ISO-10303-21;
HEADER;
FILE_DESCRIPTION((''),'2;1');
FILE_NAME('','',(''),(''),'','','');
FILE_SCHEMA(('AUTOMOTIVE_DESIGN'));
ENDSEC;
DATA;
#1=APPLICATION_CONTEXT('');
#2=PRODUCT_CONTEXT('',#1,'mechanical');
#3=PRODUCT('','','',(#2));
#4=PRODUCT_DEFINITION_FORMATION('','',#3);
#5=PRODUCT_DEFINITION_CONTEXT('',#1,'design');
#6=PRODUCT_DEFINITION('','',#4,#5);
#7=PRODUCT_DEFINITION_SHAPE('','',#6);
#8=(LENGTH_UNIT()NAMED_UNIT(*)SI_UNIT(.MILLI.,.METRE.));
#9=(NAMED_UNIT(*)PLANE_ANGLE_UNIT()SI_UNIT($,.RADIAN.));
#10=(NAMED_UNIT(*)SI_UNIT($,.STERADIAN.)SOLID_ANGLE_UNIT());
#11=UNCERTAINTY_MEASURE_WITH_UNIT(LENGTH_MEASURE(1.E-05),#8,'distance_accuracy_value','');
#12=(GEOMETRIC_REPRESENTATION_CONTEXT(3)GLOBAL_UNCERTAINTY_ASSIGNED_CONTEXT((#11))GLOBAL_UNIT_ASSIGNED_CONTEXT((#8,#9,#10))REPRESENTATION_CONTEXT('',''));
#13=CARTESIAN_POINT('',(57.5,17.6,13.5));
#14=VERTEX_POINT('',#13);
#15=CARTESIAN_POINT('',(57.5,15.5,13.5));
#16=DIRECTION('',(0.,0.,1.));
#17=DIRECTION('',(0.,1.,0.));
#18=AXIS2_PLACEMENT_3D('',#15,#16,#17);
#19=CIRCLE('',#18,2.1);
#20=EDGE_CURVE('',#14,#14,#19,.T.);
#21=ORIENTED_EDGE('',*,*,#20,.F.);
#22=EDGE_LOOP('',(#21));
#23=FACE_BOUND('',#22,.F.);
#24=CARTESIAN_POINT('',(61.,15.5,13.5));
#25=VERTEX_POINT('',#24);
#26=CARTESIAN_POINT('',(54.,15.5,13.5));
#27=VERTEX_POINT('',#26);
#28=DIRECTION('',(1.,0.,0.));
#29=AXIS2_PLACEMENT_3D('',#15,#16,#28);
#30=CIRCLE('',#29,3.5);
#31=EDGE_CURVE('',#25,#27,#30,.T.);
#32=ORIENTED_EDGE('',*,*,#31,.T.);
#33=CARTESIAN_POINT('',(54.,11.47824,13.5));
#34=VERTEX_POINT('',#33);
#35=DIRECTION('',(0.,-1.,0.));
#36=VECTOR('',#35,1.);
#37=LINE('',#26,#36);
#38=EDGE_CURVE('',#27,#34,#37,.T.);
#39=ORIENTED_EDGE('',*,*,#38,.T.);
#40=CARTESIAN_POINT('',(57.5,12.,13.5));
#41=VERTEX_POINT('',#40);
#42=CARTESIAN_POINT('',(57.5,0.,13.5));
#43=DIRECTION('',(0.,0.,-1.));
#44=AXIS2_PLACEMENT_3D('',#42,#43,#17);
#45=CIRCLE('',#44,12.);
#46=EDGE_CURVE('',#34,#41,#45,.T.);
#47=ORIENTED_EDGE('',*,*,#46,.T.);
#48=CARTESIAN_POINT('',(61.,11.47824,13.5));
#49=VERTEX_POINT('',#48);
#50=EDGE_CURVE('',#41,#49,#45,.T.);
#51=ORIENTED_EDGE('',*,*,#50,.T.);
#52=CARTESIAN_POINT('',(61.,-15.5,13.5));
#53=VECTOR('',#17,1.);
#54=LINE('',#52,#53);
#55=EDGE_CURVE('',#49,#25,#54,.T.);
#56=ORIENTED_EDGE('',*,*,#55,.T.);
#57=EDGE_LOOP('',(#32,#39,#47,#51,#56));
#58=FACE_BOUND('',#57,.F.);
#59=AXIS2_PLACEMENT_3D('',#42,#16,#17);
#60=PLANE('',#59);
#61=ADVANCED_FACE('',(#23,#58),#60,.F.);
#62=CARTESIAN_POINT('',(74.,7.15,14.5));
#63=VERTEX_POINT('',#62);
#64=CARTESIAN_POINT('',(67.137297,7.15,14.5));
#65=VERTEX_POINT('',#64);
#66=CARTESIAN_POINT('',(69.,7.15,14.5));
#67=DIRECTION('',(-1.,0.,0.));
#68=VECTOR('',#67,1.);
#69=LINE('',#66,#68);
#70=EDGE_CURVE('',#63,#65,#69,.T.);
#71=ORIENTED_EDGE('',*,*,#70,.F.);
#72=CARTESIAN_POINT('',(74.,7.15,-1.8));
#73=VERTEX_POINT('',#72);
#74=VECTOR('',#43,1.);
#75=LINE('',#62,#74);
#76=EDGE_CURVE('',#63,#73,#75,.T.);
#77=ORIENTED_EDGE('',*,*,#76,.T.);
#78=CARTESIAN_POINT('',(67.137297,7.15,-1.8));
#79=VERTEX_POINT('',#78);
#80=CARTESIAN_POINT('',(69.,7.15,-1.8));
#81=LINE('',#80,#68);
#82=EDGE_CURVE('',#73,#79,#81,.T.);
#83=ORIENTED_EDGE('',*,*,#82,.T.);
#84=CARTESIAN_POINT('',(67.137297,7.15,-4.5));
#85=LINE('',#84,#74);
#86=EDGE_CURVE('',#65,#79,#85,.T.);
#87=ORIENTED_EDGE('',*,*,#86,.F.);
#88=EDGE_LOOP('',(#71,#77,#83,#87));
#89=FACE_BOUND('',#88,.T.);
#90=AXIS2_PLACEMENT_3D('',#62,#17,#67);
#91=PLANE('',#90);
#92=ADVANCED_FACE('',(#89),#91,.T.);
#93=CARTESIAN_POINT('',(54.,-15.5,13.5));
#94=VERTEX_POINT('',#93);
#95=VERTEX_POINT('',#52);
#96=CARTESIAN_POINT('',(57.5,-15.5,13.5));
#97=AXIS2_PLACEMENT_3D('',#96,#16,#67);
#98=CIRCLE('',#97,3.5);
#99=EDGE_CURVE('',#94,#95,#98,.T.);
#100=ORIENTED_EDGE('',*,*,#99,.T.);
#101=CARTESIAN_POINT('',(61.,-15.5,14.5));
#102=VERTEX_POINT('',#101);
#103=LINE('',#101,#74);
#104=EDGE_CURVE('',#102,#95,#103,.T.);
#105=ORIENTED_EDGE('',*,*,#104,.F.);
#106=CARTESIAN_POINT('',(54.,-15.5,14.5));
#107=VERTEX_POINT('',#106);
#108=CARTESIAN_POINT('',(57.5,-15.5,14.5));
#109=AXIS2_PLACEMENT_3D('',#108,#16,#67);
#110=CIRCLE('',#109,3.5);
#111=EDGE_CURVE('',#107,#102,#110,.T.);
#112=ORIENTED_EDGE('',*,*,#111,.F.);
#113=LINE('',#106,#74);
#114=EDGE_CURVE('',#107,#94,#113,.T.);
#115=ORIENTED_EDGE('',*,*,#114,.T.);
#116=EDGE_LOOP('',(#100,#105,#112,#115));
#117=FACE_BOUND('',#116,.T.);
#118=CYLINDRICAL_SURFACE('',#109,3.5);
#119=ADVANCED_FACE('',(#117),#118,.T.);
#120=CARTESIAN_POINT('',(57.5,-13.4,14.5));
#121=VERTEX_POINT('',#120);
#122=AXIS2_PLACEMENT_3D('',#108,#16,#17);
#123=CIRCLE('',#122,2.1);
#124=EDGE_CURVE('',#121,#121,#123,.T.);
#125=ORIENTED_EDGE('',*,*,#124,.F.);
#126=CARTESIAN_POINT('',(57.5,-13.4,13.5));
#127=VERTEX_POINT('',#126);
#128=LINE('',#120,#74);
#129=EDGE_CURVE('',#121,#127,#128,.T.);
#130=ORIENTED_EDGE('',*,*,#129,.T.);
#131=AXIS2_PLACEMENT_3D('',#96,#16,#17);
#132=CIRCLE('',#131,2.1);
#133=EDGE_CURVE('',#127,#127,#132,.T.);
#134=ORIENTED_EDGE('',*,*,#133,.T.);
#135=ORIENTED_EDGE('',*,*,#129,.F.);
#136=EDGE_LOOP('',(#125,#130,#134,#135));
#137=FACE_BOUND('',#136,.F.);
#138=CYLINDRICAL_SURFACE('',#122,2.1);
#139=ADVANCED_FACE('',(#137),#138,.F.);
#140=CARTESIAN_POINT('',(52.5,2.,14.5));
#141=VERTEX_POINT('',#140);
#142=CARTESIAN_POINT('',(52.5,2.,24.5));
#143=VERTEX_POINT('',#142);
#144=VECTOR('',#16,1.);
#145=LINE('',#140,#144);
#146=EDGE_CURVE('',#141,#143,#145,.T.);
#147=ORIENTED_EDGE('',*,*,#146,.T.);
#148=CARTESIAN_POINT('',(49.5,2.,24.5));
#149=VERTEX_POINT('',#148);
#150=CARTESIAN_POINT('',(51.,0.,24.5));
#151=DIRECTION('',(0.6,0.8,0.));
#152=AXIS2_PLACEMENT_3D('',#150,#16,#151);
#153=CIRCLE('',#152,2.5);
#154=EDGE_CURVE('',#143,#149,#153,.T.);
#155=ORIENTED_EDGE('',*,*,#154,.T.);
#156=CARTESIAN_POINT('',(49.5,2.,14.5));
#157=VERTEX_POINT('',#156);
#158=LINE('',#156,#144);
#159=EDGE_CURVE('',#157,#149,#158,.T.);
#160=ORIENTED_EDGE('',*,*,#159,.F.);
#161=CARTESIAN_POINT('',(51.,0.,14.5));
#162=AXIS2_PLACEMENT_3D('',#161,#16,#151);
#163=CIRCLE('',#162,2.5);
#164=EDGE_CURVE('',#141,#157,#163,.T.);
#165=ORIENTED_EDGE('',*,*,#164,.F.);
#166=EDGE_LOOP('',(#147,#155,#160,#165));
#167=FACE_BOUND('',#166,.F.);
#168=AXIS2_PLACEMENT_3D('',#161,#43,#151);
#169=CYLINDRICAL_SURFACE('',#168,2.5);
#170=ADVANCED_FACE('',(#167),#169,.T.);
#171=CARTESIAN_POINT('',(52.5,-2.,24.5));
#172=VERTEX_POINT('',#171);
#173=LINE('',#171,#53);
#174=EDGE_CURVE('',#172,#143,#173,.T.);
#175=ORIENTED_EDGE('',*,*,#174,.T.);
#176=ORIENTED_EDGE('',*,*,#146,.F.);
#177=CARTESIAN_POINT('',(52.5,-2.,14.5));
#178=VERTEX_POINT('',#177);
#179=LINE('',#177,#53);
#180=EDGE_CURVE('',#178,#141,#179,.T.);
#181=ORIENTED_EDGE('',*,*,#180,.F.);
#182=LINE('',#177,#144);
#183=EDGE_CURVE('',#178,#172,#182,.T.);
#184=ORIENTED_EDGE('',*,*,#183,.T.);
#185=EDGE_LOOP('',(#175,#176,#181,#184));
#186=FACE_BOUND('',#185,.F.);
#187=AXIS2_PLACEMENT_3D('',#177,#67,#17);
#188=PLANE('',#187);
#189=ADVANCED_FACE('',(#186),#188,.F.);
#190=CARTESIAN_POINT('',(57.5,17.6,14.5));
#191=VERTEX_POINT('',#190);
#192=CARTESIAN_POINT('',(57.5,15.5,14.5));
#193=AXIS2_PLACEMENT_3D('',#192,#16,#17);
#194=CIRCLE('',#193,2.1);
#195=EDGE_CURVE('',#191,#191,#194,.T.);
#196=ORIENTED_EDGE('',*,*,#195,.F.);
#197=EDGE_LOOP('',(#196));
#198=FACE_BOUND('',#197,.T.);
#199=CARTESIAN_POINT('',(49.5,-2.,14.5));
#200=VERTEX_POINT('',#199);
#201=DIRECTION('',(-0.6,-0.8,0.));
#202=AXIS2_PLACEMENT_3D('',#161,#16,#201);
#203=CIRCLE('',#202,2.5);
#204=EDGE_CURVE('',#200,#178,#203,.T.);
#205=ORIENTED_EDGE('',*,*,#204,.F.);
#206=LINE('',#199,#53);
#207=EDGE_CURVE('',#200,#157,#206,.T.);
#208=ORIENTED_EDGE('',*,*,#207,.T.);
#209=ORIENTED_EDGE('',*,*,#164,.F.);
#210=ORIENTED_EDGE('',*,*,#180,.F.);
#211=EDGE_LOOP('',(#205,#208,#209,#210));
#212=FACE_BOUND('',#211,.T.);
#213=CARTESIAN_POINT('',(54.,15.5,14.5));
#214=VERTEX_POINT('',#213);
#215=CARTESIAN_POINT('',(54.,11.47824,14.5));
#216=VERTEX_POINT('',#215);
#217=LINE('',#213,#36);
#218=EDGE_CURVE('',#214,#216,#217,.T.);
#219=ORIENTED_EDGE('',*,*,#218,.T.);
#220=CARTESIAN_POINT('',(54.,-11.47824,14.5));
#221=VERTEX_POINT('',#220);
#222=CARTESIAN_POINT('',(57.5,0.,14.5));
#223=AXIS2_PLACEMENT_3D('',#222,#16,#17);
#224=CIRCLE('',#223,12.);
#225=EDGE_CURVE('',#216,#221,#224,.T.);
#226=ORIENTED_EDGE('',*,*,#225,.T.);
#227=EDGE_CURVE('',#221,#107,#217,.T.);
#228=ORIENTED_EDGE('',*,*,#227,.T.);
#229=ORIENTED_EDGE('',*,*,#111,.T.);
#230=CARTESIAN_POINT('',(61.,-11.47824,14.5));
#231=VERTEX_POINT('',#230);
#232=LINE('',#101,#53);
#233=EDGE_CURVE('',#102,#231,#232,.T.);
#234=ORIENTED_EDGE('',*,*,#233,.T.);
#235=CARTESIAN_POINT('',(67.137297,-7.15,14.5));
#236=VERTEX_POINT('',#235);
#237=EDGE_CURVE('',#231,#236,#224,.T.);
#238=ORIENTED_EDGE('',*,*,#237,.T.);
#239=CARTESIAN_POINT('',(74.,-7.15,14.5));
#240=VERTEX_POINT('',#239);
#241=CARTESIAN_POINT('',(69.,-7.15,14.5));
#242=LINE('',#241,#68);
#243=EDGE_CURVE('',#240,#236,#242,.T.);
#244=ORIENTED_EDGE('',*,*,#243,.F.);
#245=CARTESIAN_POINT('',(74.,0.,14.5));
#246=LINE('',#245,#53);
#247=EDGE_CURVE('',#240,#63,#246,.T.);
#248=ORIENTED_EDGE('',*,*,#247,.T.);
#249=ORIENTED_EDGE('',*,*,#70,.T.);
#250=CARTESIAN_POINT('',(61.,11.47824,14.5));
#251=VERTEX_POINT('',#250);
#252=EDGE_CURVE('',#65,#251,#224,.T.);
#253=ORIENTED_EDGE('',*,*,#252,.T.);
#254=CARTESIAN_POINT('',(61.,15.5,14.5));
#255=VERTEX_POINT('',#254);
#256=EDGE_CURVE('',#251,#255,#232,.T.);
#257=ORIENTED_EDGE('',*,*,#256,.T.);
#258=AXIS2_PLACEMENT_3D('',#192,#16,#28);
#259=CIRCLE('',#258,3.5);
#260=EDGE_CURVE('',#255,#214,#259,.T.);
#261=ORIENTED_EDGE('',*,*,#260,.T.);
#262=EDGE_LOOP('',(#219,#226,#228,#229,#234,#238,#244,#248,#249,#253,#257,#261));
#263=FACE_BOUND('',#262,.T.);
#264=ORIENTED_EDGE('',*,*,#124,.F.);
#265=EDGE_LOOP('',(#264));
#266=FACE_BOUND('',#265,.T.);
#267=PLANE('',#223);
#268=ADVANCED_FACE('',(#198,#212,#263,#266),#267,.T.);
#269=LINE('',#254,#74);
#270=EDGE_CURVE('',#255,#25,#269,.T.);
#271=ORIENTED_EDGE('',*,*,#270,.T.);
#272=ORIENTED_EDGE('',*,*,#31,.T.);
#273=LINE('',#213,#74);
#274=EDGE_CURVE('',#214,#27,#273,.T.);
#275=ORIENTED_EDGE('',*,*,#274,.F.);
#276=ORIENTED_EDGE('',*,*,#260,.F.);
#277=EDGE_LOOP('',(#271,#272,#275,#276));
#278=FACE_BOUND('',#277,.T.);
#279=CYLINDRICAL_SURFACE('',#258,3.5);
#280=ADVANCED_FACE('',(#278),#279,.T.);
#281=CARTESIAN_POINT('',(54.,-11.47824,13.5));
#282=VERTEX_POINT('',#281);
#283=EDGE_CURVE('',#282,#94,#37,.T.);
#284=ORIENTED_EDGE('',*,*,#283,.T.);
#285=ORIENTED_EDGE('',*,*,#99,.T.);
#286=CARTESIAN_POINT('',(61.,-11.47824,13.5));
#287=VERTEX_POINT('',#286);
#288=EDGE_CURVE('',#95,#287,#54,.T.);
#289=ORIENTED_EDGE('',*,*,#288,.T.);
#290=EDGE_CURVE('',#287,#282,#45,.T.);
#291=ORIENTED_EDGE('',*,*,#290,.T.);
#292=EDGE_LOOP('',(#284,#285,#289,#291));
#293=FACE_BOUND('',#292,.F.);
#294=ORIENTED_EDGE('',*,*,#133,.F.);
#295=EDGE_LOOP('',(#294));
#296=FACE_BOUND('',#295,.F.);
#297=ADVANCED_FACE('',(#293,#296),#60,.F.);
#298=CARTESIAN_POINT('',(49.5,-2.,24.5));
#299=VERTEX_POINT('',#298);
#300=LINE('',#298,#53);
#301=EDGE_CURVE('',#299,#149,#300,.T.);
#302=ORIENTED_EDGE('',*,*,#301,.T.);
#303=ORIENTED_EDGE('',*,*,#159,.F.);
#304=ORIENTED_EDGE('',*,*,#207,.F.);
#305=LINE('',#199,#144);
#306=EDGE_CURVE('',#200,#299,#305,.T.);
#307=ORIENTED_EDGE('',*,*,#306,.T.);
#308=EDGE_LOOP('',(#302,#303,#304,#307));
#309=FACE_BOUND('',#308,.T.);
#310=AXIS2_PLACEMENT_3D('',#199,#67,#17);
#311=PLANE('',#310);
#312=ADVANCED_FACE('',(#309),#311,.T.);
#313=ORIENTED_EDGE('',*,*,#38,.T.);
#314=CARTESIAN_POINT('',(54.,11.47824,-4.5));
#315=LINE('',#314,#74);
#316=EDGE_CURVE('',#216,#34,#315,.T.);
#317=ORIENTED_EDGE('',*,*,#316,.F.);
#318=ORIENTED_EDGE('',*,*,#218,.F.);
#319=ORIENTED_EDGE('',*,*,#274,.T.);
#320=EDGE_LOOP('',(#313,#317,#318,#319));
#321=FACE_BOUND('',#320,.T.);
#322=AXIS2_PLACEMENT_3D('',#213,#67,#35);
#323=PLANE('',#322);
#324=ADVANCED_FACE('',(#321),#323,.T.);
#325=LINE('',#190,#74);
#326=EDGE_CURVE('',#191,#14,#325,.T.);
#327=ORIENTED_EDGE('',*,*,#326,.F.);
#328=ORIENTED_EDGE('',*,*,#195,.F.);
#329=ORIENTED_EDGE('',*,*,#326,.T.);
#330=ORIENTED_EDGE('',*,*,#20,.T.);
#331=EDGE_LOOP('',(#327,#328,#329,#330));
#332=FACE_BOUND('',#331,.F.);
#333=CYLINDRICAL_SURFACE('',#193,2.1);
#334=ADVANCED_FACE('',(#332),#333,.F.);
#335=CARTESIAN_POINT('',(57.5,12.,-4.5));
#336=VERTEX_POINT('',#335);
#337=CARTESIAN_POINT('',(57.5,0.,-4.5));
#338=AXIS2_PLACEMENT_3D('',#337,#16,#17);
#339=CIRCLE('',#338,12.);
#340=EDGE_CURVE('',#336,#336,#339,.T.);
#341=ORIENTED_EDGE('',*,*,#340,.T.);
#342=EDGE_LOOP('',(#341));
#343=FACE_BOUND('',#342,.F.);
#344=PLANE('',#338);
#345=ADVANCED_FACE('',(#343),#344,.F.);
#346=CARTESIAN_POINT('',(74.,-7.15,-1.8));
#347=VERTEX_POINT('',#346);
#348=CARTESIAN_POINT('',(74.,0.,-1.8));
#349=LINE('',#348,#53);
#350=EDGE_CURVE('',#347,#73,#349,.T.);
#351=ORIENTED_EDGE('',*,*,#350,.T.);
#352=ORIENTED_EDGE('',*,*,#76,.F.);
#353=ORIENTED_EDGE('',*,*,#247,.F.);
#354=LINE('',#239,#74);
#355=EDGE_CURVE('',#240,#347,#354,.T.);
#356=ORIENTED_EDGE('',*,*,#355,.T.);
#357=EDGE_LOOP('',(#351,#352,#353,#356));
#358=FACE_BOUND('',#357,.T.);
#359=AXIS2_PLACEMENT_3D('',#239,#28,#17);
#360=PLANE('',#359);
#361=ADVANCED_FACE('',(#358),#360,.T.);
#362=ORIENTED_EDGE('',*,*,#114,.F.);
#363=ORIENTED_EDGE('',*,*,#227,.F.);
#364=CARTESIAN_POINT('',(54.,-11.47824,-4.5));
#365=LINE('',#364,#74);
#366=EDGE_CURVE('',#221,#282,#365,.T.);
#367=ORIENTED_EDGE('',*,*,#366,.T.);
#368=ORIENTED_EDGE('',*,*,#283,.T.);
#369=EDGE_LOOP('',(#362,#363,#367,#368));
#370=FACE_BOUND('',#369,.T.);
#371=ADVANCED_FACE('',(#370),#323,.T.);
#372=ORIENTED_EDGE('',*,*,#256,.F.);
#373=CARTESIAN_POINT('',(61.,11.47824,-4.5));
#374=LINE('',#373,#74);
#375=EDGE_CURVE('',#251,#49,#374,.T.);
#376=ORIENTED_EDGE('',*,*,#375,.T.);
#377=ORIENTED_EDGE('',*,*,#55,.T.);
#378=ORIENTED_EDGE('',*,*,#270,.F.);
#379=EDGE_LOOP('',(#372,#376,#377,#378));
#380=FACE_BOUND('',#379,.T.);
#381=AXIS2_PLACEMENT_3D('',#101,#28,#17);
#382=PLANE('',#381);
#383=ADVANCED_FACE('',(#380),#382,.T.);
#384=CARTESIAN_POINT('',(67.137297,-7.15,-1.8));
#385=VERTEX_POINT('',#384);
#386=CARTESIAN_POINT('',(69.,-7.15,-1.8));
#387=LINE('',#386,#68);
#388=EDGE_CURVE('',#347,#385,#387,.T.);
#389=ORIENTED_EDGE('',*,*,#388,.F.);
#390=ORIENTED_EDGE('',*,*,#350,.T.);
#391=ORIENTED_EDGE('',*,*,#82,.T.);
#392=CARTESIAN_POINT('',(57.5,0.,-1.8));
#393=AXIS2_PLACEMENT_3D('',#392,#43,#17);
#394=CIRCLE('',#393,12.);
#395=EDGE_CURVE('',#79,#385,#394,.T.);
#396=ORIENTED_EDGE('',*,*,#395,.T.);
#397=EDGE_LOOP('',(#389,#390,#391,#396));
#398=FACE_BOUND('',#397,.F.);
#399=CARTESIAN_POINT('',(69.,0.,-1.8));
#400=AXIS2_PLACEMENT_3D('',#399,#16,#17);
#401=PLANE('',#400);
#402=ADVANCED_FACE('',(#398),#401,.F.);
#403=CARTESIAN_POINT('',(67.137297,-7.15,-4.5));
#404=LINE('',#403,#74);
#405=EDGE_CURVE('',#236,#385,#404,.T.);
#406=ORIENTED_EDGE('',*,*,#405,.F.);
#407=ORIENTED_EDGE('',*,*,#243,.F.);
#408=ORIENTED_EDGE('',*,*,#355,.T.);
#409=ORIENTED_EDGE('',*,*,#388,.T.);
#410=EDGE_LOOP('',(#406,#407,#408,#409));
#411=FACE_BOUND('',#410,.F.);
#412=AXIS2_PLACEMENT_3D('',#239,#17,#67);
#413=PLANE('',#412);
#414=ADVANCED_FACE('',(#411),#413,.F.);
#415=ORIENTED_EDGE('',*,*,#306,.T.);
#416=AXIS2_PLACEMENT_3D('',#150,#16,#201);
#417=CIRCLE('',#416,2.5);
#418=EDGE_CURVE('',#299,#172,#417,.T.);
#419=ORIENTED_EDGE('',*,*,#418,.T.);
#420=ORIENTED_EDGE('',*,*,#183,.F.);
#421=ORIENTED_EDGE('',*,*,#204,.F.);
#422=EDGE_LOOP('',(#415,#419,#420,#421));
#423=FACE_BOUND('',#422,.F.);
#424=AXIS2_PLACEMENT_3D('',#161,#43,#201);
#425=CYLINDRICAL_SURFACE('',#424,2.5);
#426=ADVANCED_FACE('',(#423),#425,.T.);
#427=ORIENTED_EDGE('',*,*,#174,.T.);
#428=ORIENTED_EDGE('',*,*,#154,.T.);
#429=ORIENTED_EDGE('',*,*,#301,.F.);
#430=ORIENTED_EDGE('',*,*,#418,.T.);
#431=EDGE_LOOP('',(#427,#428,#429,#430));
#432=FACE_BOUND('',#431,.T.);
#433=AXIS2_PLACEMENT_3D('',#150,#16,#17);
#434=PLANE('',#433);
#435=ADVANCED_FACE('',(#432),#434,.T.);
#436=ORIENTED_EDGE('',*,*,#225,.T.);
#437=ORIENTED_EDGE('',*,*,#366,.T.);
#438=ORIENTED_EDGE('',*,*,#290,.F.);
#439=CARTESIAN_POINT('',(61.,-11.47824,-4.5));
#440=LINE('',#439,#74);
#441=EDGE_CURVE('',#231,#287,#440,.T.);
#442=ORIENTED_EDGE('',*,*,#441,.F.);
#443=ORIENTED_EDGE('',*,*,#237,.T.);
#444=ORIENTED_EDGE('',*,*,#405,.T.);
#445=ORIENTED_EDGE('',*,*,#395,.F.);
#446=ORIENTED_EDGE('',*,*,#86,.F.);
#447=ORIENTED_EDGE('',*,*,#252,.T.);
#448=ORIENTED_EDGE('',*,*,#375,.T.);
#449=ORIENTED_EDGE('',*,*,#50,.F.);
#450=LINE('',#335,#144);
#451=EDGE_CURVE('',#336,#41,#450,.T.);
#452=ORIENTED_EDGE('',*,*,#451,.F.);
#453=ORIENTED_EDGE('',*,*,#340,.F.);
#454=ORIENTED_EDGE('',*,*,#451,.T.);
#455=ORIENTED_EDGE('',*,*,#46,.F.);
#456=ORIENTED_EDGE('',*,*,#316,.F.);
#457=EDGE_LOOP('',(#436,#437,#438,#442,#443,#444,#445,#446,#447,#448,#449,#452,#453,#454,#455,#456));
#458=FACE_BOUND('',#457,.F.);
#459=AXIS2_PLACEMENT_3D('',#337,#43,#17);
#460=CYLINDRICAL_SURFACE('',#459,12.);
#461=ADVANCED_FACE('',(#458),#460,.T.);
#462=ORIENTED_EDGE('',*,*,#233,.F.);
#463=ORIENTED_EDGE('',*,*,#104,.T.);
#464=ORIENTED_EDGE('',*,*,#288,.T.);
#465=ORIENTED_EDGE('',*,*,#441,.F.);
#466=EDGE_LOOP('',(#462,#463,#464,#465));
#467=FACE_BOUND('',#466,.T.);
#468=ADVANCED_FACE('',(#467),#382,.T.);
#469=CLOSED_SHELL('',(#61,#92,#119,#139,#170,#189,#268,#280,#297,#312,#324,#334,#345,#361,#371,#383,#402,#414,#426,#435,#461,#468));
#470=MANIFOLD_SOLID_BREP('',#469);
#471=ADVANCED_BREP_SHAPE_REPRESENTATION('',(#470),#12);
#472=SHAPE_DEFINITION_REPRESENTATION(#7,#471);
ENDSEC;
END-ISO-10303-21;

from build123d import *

# Parameters (mm, degrees)
SKETCH018_R             = 12
PAD008_DEPTH            = 19
SKETCH019_W             = 14.3
SKETCH019_H             = 10
PAD009_DEPTH            = 16.3
SKETCH020_R             = 2.1
PAD010_DEPTH            = 1
PAD011_DEPTH            = 10
BODY004_PLACEMENT_ANGLE = 90


with BuildPart() as part:
    # Sketch018 → Pad008 (new body)
    with BuildSketch(Plane.XY):
        Circle(SKETCH018_R)
    extrude(amount=PAD008_DEPTH)

    # Sketch019 (on Face3 of Pad008) → Pad009 (join)
    with BuildSketch(Plane.XY.offset(19)):
        with Locations((0, -11.5)):
            Rectangle(SKETCH019_W, SKETCH019_H)
    extrude(amount=-PAD009_DEPTH)

    # Sketch020 (on Face3 of Pad009) → Pad010 (join)
    with BuildSketch(Plane.XY.offset(19)):
        with BuildLine():
            ThreePointArc((15.5, -3.5), (19, 0), (15.5, 3.5))
            Line((15.5, 3.5), (-15.5, 3.5))
            ThreePointArc((-15.5, 3.5), (-19, 0), (-15.5, -3.5))
            Line((-15.5, -3.5), (15.5, -3.5))
        make_face()
        with Locations((15.5, 0)):
            Circle(SKETCH020_R, mode=Mode.SUBTRACT)
        with Locations((-15.5, 0)):
            Circle(SKETCH020_R, mode=Mode.SUBTRACT)
    extrude(amount=-PAD010_DEPTH)

    # Sketch021 (on Face11 of Pad010) → Pad011 (join)
    with BuildSketch(Plane.XY.offset(19)):
        with BuildLine():
            ThreePointArc((-2, 8), (-2.5, 6.5), (-2, 5))
            Line((-2, 5), (2, 5))
            ThreePointArc((2, 5), (2.5, 6.5), (2, 8))
            Line((-2, 8), (2, 8))
        make_face()
    extrude(amount=PAD011_DEPTH)


with BuildPart() as part_1:
    # Body004 placement: moved
    add(part.part.moved(Location((57.5, 0, -4.5))).rotate(Axis((57.5, 0, -4.5), (0, 0, 1)), BODY004_PLACEMENT_ANGLE))


solid = part_1.part
